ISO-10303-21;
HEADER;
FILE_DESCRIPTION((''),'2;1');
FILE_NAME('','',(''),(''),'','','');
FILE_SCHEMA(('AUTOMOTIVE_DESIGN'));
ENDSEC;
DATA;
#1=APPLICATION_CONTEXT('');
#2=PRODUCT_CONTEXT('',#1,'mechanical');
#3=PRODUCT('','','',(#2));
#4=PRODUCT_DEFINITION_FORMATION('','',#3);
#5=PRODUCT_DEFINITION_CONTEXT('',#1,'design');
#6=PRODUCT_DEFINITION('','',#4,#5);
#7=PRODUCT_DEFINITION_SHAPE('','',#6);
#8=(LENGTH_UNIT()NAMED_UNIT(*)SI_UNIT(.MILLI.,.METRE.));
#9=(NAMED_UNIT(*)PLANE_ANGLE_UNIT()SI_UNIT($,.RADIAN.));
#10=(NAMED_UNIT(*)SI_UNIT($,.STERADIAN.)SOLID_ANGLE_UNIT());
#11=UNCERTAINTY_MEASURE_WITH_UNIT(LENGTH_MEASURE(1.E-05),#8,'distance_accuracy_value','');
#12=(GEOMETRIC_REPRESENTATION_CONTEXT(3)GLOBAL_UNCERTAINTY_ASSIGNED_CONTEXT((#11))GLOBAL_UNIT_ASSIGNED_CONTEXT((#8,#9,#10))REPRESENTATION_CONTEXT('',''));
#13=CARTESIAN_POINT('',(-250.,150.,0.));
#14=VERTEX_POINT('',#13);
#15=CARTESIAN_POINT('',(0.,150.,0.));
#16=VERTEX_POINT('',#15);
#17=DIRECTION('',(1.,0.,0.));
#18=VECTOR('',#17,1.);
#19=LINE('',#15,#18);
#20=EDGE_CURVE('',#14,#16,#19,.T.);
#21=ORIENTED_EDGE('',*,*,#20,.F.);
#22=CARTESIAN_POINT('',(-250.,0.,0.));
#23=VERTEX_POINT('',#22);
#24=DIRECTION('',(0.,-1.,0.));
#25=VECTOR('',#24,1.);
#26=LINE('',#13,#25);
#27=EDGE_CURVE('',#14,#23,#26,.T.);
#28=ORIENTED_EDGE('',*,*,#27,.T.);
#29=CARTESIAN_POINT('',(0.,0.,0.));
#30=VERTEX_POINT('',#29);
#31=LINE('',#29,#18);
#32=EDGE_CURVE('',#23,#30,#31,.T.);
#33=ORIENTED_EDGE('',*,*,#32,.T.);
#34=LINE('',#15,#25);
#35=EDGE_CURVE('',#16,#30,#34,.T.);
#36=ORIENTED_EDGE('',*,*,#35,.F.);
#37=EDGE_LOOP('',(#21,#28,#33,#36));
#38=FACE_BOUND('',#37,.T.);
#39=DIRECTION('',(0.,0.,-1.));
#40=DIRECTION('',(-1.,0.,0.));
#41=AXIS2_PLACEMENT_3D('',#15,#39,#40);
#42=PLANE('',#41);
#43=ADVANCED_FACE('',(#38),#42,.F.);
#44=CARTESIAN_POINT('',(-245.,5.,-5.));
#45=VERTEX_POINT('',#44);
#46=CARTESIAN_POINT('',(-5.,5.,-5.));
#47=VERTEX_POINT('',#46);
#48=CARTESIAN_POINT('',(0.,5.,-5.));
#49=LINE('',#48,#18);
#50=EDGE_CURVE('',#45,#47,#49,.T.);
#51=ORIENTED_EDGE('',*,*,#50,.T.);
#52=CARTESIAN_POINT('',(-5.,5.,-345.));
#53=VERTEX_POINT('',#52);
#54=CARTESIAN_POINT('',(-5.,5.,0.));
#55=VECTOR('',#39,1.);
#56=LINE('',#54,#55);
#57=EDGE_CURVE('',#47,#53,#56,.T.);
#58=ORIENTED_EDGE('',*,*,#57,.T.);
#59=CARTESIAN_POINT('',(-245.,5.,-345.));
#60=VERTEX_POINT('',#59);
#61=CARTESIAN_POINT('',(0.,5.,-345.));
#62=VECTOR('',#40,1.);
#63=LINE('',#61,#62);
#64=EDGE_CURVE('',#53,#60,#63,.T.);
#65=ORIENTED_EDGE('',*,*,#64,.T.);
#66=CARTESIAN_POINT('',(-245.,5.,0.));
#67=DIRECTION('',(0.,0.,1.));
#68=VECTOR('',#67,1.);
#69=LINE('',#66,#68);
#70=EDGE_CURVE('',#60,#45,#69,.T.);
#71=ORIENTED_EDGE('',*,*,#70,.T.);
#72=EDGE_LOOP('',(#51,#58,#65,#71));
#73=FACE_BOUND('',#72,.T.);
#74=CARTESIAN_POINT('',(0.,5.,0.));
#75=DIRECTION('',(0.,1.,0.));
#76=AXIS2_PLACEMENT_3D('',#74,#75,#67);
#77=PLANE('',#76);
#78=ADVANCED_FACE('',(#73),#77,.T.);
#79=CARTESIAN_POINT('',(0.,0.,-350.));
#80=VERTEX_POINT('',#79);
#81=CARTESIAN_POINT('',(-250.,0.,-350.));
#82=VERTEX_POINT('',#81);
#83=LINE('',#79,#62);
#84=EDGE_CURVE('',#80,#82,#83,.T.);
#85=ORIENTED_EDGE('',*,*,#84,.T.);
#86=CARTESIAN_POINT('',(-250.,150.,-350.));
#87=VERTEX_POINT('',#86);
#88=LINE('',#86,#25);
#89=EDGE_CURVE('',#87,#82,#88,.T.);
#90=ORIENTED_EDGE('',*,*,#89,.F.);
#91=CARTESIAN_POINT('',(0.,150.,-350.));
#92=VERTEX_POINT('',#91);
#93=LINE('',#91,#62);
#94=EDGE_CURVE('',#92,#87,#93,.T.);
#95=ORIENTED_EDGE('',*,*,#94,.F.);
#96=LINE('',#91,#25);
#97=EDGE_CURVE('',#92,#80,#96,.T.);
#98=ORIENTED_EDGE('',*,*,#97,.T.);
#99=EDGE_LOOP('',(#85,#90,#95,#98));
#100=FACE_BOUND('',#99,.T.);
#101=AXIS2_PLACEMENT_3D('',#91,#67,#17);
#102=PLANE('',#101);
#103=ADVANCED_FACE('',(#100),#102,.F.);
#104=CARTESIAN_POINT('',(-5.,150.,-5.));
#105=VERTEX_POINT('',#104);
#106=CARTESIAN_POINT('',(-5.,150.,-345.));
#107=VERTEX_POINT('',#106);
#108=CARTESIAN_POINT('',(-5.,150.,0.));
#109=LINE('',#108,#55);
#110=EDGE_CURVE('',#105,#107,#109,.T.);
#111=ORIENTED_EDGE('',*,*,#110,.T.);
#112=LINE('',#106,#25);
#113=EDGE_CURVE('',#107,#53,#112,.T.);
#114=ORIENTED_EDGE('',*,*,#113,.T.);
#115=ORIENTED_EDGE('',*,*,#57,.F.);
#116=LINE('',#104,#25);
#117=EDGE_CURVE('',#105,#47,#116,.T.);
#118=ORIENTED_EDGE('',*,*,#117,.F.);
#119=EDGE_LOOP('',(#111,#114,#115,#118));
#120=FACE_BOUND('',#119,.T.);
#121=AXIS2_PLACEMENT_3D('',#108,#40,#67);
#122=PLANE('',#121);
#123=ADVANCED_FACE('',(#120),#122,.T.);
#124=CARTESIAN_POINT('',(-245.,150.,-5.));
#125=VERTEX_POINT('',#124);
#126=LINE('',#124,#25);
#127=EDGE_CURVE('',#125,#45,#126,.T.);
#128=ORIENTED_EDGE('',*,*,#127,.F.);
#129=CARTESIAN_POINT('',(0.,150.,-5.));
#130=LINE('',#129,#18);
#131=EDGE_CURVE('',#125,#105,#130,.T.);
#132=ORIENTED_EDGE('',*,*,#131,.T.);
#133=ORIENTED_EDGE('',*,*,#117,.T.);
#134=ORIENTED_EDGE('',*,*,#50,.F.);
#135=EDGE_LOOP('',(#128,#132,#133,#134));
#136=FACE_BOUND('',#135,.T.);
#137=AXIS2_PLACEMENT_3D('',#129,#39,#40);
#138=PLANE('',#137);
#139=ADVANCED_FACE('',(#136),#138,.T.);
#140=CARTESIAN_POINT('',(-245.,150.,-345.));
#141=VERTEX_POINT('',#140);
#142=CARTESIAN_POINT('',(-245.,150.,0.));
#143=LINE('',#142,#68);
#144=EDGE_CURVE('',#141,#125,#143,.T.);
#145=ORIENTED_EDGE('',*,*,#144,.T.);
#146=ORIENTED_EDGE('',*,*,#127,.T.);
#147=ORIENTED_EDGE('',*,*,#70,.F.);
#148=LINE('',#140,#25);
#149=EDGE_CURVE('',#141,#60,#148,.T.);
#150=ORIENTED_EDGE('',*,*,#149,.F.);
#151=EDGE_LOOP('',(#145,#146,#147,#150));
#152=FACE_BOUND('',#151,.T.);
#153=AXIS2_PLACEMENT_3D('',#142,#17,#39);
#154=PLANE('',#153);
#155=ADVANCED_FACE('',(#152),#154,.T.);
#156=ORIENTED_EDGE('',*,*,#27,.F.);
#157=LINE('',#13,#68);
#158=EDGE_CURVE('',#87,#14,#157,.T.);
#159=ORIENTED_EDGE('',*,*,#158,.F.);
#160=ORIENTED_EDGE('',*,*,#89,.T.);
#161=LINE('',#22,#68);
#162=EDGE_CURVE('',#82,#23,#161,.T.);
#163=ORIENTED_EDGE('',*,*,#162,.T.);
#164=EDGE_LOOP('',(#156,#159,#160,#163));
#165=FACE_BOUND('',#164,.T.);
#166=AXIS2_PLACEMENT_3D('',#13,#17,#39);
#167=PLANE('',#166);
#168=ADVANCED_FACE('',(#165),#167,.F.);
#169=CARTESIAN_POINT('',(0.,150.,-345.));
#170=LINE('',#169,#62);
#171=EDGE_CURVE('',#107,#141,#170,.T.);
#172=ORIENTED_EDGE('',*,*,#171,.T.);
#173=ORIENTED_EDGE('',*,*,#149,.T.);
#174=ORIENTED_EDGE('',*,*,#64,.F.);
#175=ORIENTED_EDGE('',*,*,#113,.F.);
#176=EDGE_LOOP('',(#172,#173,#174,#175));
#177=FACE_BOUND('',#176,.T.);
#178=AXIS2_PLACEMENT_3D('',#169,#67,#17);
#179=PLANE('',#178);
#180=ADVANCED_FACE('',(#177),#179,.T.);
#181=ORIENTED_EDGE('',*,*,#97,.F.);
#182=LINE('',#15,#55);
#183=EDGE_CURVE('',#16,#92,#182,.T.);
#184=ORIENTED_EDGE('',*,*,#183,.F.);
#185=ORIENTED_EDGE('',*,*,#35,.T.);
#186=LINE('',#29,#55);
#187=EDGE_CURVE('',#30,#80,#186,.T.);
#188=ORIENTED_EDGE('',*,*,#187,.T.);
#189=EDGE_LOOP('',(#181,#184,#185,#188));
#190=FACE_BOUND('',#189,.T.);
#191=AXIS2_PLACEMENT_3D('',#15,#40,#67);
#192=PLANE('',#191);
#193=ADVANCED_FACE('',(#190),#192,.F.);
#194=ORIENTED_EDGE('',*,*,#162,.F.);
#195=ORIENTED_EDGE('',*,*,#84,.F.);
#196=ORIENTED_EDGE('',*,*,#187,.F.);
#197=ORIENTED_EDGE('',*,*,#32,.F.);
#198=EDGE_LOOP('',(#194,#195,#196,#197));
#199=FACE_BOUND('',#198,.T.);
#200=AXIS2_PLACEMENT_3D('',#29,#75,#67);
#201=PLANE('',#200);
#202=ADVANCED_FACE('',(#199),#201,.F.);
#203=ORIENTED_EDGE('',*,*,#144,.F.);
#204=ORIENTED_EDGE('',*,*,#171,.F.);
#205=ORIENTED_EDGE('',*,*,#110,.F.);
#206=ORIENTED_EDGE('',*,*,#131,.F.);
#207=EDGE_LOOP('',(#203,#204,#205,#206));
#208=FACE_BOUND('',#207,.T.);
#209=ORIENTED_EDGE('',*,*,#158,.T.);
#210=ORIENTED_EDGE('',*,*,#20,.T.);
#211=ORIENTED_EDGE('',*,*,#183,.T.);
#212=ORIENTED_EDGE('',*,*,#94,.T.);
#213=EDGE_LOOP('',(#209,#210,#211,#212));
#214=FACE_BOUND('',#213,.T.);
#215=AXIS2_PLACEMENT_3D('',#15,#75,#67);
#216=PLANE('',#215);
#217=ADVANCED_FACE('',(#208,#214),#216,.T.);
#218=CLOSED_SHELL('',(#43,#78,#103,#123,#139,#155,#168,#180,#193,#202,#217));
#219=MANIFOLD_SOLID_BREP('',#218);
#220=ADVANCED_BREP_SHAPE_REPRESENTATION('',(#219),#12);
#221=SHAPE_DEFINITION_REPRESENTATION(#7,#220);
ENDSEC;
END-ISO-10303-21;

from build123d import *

# Parameters (mm, degrees)
SKETCH4_W           = 250
SKETCH4_H           = 350
BOSS_EXTRUDE2_DEPTH = 150
SHELL1_T            = -5


with BuildPart() as part:
    # Sketch4 → Boss-Extrude2 (new body)
    with BuildSketch(Plane(origin=(0, 0, 0), x_dir=(1, 0, 0), z_dir=(0, 1, 0))):
        with Locations((-125, 175)):
            Rectangle(SKETCH4_W, SKETCH4_H)
    extrude(amount=BOSS_EXTRUDE2_DEPTH)

    # Shell1
    shell1_openings = [part.faces().sort_by_distance(p)[0] for p in [
        (-125, 150, -175),
    ]]
    offset(amount=SHELL1_T, openings=shell1_openings, kind=Kind.INTERSECTION)


solid = part.part
